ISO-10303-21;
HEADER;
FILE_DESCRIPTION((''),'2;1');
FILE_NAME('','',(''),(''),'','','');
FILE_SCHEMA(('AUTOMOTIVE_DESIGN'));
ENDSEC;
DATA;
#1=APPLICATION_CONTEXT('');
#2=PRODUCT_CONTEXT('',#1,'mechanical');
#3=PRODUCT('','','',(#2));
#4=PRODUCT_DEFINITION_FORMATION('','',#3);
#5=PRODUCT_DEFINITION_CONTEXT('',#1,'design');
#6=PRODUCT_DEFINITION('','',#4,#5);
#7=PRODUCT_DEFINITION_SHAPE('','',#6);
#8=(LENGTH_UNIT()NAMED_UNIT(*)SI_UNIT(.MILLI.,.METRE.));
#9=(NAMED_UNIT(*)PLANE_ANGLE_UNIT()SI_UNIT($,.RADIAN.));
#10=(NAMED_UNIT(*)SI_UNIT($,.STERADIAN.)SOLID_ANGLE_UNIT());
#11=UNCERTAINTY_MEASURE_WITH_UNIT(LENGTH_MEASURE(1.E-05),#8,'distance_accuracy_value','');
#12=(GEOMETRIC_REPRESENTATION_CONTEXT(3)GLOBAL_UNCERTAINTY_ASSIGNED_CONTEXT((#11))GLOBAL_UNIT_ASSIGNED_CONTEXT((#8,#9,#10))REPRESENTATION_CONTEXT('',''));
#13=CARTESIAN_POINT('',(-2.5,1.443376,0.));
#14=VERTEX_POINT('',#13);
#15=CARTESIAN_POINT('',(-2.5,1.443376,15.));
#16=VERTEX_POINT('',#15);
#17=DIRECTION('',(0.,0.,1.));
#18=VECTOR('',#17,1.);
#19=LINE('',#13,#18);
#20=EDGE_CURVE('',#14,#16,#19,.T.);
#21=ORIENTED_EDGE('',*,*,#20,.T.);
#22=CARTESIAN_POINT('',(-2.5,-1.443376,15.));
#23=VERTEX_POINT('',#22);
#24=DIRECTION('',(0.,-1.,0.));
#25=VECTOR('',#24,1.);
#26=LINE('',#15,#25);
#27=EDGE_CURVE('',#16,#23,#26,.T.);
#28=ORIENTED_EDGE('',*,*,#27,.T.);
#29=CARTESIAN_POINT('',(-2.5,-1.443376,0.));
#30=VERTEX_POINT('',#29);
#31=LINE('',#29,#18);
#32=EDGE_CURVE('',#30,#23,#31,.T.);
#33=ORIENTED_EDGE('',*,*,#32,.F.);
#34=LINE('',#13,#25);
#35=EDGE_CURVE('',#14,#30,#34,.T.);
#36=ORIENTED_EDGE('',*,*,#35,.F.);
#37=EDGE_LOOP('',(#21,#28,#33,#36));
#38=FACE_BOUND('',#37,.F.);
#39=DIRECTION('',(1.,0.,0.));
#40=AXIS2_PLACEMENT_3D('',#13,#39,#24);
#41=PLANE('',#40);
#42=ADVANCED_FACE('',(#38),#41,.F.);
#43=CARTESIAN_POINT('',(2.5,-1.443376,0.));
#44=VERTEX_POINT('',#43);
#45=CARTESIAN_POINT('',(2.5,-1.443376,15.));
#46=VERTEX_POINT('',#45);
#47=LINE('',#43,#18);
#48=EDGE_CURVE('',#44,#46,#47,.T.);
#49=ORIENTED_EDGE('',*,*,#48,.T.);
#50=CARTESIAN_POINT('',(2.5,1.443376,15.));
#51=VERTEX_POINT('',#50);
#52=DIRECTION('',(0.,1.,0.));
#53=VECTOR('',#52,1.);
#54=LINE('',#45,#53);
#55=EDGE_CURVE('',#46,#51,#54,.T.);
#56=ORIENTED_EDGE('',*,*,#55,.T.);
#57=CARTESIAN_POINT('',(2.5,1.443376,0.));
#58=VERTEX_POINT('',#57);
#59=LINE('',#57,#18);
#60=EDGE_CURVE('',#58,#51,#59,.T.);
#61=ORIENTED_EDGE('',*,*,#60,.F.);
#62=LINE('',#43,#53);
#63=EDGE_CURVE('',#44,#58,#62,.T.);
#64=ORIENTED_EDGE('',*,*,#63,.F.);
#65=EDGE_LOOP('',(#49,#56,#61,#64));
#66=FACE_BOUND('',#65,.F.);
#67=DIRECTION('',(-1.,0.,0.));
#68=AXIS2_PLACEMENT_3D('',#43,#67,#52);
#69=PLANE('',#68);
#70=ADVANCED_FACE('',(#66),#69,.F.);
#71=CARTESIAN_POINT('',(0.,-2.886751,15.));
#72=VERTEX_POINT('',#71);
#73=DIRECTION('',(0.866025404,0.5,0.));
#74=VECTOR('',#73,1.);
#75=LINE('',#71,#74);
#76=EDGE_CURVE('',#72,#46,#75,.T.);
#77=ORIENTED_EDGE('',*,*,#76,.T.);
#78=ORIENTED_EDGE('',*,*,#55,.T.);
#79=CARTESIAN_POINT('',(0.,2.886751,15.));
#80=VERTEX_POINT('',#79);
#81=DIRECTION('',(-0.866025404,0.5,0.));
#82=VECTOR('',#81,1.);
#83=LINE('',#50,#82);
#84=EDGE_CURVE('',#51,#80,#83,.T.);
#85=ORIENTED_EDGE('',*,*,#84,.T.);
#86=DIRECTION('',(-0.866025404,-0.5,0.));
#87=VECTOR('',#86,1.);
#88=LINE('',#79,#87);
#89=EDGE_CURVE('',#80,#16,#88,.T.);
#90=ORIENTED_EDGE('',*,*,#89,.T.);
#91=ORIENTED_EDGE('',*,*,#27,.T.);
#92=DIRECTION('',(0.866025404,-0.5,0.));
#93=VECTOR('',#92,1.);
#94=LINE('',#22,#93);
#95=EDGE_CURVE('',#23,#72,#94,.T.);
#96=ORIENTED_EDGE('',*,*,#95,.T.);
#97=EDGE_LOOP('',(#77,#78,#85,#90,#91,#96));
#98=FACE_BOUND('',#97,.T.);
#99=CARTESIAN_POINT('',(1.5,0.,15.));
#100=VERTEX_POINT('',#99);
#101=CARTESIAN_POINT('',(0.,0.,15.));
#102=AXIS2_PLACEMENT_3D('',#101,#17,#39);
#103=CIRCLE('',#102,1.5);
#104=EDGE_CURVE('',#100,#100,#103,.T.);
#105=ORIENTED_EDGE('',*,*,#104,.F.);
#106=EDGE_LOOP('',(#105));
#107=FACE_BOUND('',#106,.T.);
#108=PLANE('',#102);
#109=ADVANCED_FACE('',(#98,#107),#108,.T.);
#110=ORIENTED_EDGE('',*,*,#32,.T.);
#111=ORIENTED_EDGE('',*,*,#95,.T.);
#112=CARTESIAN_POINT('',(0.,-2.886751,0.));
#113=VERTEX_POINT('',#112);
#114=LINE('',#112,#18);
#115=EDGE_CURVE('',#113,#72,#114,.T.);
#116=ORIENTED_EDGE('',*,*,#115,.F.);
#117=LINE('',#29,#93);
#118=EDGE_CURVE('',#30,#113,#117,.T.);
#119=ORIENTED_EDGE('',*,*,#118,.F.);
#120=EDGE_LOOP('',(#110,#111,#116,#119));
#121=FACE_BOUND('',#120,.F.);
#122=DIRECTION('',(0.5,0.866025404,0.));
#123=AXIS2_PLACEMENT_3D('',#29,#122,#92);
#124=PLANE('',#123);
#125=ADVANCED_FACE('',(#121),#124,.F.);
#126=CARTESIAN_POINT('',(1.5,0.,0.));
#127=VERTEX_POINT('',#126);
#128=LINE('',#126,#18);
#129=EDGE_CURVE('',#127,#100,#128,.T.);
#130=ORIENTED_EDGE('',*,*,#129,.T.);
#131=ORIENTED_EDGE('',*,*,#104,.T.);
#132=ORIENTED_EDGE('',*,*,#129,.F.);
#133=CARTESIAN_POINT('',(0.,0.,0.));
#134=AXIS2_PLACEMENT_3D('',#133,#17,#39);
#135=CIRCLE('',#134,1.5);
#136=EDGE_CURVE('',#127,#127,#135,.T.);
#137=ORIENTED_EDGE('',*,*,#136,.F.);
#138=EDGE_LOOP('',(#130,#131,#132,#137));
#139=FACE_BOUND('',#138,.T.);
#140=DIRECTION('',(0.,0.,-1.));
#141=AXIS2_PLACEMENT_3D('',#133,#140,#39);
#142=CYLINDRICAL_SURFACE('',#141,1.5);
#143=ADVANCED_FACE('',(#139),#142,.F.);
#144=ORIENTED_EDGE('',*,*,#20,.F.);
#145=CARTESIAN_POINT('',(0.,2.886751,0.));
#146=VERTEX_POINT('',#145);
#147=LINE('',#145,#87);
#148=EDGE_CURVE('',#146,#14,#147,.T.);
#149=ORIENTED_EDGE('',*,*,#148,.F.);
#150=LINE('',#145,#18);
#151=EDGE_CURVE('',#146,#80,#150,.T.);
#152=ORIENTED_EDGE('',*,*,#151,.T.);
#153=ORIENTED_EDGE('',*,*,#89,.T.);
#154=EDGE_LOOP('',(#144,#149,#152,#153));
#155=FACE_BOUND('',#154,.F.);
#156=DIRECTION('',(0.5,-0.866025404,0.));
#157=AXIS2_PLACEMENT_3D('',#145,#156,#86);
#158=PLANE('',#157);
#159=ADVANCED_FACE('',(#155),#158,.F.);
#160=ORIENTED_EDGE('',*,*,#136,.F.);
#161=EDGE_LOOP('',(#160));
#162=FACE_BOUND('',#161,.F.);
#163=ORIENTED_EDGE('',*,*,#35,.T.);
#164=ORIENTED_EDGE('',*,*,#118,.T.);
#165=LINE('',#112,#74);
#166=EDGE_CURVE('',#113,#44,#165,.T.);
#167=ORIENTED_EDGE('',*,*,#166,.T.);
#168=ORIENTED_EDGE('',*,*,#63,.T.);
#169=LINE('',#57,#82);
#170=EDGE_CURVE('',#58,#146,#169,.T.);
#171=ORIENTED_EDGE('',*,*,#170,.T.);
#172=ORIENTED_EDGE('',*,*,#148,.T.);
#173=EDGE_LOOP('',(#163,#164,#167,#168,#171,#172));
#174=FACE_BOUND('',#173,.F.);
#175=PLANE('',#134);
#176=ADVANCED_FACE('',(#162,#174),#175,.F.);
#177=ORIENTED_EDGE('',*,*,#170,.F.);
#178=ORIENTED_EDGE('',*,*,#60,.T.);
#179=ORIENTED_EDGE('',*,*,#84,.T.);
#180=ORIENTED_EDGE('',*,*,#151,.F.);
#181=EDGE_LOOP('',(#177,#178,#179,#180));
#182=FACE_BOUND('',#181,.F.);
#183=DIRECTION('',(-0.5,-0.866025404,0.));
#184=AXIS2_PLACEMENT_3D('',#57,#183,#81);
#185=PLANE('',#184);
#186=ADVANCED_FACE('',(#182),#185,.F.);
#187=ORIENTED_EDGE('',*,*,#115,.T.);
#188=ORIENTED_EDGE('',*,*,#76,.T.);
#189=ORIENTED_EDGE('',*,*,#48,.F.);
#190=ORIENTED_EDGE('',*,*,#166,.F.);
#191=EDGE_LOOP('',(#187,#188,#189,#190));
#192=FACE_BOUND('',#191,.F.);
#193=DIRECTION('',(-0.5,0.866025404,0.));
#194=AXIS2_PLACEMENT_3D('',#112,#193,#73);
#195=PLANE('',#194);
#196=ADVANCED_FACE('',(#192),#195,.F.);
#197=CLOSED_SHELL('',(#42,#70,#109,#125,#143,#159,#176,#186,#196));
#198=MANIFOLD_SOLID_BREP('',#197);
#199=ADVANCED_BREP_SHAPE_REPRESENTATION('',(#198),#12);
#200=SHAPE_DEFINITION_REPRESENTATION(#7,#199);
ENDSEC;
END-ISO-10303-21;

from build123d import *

# Parameters (mm, degrees)
SKETCH_1_R      = 1.5
EXTRUDE_1_DEPTH = 15


with BuildPart() as part:
    # 草图1 → 凸台-拉伸1 (new body)
    with BuildSketch(Plane.XY):
        Polygon((2.5, 1.443375673), (0, 2.886751346), (-2.5, 1.443375673), (-2.5, -1.443375673), (0, -2.886751346), (2.5, -1.443375673), align=None)
        Circle(SKETCH_1_R, mode=Mode.SUBTRACT)
    extrude(amount=EXTRUDE_1_DEPTH)


solid = part.part
